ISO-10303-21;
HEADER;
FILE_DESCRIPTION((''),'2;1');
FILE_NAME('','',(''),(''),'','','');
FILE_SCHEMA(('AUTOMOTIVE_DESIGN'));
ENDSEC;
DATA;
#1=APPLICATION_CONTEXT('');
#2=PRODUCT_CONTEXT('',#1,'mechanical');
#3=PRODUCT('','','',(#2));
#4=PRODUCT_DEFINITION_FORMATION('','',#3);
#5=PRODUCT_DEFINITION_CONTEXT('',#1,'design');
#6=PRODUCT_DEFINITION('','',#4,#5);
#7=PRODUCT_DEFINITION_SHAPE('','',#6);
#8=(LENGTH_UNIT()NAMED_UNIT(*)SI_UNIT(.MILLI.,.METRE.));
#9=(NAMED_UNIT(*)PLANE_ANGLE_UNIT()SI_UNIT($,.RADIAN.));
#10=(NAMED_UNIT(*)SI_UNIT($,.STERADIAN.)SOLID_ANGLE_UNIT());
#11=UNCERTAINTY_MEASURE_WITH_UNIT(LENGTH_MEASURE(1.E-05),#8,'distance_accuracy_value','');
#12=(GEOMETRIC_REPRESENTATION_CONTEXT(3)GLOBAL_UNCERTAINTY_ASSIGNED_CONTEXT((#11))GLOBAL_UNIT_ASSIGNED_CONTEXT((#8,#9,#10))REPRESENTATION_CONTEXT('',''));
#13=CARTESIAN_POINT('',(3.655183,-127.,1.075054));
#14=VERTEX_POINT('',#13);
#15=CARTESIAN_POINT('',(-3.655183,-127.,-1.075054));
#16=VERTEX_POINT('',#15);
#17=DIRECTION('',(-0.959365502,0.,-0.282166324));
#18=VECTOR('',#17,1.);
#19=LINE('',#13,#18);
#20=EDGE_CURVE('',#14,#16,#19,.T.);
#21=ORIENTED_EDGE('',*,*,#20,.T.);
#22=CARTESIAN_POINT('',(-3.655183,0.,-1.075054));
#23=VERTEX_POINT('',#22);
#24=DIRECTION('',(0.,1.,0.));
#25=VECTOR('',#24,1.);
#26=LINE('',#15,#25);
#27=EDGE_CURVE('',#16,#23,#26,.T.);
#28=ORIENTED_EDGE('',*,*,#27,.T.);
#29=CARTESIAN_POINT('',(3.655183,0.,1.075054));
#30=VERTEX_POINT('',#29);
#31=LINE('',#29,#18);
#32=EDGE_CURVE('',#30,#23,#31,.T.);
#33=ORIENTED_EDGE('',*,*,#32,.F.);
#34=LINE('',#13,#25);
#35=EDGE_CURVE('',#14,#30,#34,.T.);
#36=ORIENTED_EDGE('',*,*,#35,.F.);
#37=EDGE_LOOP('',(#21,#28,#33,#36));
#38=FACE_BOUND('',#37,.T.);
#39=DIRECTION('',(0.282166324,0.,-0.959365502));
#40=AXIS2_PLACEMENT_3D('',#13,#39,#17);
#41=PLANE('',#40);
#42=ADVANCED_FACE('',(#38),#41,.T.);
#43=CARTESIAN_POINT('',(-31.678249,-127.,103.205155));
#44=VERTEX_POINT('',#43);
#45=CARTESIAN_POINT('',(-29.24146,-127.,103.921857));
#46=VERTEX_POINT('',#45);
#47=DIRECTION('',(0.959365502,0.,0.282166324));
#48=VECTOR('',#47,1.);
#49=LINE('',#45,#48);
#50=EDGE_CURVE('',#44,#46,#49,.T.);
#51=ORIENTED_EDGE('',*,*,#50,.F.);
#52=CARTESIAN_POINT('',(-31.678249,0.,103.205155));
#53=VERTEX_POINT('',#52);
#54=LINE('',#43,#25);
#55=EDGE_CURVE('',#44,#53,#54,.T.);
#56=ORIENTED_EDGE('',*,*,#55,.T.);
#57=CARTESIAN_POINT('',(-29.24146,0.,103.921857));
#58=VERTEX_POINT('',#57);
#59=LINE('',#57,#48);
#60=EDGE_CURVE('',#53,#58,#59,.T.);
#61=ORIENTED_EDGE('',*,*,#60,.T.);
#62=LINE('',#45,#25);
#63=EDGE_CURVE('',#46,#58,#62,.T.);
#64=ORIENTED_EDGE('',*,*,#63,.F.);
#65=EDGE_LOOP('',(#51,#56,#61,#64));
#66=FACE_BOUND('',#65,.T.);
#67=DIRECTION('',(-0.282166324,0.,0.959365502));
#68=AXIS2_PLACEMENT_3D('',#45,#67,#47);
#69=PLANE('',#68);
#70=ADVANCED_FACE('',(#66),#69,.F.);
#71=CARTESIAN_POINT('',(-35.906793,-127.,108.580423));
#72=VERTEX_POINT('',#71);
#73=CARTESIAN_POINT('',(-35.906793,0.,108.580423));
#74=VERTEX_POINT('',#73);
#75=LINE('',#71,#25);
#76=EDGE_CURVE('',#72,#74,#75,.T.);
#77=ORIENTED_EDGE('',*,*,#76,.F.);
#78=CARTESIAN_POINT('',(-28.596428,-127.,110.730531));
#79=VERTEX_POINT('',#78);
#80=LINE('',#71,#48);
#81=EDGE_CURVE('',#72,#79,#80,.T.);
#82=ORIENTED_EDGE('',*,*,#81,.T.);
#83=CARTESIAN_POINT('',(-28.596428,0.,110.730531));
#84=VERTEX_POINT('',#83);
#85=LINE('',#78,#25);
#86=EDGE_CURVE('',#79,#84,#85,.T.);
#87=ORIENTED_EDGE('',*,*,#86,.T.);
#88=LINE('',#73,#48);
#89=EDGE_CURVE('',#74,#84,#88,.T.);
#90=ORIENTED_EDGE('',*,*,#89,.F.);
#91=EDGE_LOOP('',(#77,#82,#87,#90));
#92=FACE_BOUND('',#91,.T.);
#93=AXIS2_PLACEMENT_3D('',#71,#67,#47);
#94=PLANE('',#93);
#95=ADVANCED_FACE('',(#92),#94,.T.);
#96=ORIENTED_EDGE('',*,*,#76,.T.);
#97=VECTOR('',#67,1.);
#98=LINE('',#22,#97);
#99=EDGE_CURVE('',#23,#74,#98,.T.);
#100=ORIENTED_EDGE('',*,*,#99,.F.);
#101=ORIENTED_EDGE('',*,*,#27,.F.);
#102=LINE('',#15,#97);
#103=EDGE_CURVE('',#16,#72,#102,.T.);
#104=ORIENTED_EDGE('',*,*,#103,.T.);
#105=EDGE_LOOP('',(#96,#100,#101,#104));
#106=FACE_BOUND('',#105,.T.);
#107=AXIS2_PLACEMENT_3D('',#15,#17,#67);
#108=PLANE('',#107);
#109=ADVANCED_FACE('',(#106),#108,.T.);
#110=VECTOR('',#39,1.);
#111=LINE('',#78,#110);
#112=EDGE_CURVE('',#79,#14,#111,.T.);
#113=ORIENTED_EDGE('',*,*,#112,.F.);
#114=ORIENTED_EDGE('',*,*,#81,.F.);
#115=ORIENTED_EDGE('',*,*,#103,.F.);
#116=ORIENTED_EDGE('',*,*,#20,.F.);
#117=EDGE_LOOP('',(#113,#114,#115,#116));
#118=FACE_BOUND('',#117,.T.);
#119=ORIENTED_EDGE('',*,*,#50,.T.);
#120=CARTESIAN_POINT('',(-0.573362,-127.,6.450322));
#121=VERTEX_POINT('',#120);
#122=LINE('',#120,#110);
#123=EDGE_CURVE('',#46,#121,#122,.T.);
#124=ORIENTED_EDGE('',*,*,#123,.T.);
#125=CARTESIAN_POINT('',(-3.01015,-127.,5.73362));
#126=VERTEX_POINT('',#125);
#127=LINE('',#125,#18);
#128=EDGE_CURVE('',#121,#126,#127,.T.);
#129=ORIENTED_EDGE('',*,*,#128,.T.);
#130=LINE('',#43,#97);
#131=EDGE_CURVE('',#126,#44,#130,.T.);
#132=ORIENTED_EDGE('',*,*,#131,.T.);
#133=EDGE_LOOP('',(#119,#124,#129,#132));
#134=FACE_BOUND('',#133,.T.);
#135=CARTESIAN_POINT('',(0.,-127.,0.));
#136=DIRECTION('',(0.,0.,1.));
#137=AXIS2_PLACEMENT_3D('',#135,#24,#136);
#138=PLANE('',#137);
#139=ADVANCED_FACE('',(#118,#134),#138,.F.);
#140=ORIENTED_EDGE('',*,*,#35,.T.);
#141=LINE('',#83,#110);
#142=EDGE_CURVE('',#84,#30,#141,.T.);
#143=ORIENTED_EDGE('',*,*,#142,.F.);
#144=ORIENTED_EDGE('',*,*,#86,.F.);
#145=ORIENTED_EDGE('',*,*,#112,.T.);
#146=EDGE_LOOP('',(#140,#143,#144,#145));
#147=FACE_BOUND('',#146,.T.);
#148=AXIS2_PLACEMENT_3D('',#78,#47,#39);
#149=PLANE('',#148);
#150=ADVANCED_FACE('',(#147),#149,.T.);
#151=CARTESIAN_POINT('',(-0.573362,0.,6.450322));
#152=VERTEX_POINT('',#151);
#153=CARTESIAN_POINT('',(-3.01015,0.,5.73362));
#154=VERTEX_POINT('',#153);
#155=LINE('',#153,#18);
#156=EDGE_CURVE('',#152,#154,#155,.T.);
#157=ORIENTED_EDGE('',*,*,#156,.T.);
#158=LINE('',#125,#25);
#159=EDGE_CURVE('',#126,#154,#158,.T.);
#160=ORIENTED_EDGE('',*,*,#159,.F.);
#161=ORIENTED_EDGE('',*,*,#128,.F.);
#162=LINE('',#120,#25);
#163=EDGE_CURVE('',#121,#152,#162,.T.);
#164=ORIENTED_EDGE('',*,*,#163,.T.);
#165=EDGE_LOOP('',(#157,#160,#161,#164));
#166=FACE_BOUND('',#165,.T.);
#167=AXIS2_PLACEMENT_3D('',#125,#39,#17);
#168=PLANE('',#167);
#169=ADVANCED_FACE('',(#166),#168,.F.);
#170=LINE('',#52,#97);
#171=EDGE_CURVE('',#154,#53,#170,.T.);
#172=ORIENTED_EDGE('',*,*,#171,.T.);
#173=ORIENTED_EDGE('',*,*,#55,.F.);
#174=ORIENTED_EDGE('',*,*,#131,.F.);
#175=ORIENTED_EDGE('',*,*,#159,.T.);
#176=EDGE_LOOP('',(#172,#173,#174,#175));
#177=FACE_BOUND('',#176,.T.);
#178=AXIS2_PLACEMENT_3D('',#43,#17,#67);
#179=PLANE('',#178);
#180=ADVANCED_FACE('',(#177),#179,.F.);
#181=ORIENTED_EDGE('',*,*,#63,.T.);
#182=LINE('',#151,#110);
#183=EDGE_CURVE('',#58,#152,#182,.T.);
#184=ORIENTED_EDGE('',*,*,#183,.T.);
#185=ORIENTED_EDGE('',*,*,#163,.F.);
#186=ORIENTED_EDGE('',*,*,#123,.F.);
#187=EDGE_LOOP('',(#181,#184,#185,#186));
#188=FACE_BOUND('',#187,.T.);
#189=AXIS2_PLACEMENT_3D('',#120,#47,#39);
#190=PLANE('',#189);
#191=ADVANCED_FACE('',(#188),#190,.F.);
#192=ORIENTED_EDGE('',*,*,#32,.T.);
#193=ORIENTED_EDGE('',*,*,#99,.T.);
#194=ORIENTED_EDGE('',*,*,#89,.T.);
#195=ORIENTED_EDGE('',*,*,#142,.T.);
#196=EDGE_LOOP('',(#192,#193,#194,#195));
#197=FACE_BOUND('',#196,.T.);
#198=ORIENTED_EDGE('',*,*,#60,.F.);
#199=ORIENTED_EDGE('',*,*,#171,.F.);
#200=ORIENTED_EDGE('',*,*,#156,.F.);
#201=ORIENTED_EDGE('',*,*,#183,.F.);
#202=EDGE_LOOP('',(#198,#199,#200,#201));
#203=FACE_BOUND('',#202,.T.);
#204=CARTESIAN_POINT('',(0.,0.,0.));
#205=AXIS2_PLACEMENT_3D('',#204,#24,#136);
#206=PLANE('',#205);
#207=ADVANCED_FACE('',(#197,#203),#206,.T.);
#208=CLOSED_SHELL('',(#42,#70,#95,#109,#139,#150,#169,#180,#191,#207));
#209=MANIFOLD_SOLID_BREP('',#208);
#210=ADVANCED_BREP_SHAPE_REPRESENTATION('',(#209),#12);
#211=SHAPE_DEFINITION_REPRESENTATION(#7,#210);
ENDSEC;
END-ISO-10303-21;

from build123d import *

# Parameters (mm, degrees)
BOSS_EXTRUDE1_DEPTH = 127


with BuildPart() as part:
    # Sketch5 → Boss-Extrude1 (new body)
    with BuildSketch(Plane(origin=(0, 0, 0), x_dir=(1, 0, 0), z_dir=(0, 1, 0))):
        Polygon((-35.906793393, -108.580423135), (-28.596428271, -110.730530524), (3.655182561, -1.075053694), (-3.655182561, 1.075053694), align=None)
        Polygon((-3.010150344, -5.733619704), (-0.57336197, -6.450322166), (-29.241460488, -103.921857126), (-31.678248862, -103.205154663), align=None, mode=Mode.SUBTRACT)
    extrude(amount=-BOSS_EXTRUDE1_DEPTH)


solid = part.part
